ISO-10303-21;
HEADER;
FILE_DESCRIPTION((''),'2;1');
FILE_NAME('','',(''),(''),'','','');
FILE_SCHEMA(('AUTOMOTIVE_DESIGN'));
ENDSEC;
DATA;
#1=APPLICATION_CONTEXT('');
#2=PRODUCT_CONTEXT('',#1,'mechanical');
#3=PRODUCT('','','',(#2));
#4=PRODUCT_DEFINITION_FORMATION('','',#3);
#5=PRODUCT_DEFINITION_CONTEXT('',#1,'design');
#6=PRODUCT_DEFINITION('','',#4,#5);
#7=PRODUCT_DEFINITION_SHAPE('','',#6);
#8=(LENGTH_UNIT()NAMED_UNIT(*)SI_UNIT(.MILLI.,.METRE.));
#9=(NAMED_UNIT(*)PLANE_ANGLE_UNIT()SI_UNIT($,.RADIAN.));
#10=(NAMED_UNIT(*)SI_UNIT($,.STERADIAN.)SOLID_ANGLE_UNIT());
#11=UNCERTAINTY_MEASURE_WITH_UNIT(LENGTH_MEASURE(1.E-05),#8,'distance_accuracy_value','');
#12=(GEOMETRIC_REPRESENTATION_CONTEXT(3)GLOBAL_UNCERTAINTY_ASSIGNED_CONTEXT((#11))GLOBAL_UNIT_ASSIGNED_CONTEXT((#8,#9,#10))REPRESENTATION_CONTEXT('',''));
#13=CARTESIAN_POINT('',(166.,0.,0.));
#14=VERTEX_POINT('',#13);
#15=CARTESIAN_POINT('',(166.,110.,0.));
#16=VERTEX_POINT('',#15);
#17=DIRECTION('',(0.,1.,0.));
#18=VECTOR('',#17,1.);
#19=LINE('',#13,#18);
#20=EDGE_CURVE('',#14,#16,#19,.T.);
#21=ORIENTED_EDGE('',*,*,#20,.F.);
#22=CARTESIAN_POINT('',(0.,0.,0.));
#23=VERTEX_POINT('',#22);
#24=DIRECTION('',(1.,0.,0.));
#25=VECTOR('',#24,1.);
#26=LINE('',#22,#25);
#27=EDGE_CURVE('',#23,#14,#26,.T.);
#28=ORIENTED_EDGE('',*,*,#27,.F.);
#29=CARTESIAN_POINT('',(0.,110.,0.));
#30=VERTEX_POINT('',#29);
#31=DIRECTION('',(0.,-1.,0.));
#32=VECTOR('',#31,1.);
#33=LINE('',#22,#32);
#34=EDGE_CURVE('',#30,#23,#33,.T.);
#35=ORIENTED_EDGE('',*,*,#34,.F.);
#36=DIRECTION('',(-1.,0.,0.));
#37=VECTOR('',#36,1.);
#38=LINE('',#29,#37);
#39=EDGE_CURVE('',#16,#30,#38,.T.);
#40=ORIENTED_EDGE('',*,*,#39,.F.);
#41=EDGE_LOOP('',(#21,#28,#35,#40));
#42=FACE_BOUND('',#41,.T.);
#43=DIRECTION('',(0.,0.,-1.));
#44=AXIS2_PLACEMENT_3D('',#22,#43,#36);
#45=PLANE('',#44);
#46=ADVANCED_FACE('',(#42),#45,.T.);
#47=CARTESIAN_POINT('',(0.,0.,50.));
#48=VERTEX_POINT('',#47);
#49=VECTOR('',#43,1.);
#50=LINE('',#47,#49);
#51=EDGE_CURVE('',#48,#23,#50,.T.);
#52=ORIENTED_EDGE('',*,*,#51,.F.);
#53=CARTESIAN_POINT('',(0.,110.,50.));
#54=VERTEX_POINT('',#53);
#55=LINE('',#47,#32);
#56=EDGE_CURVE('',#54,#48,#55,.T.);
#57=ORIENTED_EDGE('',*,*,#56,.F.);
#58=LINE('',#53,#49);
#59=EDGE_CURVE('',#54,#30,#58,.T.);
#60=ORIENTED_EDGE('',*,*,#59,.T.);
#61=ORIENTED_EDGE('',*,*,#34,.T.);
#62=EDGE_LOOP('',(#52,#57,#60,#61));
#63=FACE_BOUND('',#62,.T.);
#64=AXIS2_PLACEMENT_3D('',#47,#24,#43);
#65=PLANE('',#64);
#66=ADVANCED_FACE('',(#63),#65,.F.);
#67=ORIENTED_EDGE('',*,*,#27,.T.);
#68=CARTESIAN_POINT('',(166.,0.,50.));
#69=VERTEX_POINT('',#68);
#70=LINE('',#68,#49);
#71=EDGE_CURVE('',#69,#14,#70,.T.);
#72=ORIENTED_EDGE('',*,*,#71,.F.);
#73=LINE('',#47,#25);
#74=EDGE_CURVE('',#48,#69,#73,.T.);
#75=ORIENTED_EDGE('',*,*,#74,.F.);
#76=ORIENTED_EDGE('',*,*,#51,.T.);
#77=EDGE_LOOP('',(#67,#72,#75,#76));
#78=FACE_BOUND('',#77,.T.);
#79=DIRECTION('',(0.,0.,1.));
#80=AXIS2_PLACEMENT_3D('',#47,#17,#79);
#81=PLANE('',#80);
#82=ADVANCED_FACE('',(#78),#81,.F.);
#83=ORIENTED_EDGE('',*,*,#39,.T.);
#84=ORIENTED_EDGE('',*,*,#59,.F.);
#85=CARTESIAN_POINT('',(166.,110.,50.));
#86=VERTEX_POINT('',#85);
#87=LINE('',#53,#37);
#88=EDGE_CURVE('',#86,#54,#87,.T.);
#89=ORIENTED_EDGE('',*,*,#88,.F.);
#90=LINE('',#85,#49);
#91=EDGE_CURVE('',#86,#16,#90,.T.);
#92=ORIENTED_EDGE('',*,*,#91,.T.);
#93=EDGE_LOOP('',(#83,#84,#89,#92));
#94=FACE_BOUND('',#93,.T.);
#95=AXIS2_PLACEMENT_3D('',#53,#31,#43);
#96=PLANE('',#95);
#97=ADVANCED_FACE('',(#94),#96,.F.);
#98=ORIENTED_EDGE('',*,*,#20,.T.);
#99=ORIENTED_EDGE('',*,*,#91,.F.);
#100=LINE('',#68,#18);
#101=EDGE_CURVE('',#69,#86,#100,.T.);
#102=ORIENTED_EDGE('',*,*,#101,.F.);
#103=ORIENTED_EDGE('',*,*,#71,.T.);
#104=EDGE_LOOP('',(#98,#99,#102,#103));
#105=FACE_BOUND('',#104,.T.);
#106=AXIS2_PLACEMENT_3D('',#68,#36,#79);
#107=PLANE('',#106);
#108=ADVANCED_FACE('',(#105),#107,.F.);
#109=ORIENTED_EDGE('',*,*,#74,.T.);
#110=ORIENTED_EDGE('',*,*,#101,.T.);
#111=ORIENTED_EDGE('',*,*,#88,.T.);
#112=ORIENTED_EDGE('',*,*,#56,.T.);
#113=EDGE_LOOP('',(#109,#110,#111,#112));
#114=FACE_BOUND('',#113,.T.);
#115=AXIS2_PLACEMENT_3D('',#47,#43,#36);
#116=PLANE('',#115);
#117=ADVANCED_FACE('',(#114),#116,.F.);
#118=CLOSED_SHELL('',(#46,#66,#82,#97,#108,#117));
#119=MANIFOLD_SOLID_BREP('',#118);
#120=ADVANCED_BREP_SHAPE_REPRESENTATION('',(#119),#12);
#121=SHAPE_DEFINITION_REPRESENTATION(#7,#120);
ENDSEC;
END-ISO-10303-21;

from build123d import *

# Parameters (mm, degrees)
SKICA1_W                = 166
SKICA1_H                = 110
P_IDAT_VYSUNUT_M1_DEPTH = 50


with BuildPart() as part:
    # Skica1 → Přidat vysunutím1 (new body)
    with BuildSketch(Plane.XY):
        with Locations((83, 55)):
            Rectangle(SKICA1_W, SKICA1_H)
    extrude(amount=P_IDAT_VYSUNUT_M1_DEPTH)


solid = part.part
